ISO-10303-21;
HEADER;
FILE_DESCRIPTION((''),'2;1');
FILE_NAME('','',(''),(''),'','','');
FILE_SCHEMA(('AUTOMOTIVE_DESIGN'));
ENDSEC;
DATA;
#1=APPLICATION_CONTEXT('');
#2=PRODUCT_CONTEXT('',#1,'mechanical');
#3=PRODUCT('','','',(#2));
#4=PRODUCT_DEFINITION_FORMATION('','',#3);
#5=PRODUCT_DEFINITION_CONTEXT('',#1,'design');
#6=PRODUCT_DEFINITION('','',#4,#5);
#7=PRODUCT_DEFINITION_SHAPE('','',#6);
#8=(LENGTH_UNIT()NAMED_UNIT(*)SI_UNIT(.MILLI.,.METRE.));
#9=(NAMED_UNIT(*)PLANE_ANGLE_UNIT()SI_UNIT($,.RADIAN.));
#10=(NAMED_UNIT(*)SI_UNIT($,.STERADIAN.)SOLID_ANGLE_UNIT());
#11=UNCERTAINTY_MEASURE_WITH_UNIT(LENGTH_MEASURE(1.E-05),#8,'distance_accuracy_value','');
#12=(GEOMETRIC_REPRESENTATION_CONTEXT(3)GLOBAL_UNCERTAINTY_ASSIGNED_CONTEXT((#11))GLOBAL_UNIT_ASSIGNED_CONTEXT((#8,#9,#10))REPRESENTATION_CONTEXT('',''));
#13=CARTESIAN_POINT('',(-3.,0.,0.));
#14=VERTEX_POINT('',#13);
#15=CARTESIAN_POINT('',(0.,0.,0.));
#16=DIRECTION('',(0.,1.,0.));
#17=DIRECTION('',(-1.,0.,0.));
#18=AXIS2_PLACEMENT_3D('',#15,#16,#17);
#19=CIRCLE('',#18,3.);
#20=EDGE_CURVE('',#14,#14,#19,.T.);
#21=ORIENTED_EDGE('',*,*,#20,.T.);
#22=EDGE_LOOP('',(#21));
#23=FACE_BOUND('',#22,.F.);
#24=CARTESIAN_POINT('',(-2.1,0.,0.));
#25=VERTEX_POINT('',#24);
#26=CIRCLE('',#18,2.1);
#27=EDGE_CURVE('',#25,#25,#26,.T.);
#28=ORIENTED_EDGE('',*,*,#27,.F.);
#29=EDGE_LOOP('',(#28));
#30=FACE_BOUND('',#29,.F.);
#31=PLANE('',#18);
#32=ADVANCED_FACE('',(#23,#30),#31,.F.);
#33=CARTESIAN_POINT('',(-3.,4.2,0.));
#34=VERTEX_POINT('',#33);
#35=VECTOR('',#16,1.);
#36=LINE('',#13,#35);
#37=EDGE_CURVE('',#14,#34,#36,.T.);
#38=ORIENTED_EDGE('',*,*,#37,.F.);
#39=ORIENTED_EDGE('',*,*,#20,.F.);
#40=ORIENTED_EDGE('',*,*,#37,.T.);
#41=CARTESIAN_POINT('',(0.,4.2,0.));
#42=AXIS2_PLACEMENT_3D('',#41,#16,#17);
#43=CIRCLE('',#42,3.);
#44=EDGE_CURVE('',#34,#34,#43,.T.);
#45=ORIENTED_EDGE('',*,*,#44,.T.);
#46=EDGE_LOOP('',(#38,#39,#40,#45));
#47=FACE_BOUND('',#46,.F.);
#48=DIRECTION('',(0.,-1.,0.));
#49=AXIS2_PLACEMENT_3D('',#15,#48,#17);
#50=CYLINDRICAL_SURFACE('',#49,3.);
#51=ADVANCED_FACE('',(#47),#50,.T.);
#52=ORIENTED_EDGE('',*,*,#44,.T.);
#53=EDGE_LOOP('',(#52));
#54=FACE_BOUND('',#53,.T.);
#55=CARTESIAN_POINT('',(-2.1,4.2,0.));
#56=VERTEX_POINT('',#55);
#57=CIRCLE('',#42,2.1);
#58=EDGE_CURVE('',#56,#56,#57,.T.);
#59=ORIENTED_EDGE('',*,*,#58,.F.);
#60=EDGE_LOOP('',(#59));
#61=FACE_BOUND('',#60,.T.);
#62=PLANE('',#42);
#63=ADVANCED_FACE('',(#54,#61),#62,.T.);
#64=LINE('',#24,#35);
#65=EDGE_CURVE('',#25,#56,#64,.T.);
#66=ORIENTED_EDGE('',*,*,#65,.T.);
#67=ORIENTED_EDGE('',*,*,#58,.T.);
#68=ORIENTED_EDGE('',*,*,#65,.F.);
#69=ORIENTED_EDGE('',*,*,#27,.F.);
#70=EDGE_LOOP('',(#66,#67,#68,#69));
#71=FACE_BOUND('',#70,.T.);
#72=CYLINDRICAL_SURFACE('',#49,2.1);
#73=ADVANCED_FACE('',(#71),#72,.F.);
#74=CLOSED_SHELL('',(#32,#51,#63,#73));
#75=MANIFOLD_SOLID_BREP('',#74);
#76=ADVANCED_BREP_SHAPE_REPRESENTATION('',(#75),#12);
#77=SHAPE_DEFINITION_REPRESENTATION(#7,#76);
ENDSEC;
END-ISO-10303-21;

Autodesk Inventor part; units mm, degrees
ref_plane "YZ Plane" through (0, 0, 0) normal (1, 0, 0) x (0, 1, 0)
ref_plane "XZ Plane" through (0, 0, 0) normal (0, 1, 0) x (-1, 0, 0)
ref_plane "XY Plane" through (0, 0, 0) normal (0, 0, 1) x (1, 0, 0)
sketch "Sketch1" plane through (0, 0, 0) normal (0, 1, 0) x (-1, 0, 0)
  circle A0 centre (0, 0) radius 2.1
  circle A1 centre (0, 0) radius 3
  dimension "d0" = 4.2
  dimension "d1" = 6
extrude "Extrusion1" add sketch "Sketch1" along normal blind 4.2
properties part number "Real_InnerBearingSpacer"
